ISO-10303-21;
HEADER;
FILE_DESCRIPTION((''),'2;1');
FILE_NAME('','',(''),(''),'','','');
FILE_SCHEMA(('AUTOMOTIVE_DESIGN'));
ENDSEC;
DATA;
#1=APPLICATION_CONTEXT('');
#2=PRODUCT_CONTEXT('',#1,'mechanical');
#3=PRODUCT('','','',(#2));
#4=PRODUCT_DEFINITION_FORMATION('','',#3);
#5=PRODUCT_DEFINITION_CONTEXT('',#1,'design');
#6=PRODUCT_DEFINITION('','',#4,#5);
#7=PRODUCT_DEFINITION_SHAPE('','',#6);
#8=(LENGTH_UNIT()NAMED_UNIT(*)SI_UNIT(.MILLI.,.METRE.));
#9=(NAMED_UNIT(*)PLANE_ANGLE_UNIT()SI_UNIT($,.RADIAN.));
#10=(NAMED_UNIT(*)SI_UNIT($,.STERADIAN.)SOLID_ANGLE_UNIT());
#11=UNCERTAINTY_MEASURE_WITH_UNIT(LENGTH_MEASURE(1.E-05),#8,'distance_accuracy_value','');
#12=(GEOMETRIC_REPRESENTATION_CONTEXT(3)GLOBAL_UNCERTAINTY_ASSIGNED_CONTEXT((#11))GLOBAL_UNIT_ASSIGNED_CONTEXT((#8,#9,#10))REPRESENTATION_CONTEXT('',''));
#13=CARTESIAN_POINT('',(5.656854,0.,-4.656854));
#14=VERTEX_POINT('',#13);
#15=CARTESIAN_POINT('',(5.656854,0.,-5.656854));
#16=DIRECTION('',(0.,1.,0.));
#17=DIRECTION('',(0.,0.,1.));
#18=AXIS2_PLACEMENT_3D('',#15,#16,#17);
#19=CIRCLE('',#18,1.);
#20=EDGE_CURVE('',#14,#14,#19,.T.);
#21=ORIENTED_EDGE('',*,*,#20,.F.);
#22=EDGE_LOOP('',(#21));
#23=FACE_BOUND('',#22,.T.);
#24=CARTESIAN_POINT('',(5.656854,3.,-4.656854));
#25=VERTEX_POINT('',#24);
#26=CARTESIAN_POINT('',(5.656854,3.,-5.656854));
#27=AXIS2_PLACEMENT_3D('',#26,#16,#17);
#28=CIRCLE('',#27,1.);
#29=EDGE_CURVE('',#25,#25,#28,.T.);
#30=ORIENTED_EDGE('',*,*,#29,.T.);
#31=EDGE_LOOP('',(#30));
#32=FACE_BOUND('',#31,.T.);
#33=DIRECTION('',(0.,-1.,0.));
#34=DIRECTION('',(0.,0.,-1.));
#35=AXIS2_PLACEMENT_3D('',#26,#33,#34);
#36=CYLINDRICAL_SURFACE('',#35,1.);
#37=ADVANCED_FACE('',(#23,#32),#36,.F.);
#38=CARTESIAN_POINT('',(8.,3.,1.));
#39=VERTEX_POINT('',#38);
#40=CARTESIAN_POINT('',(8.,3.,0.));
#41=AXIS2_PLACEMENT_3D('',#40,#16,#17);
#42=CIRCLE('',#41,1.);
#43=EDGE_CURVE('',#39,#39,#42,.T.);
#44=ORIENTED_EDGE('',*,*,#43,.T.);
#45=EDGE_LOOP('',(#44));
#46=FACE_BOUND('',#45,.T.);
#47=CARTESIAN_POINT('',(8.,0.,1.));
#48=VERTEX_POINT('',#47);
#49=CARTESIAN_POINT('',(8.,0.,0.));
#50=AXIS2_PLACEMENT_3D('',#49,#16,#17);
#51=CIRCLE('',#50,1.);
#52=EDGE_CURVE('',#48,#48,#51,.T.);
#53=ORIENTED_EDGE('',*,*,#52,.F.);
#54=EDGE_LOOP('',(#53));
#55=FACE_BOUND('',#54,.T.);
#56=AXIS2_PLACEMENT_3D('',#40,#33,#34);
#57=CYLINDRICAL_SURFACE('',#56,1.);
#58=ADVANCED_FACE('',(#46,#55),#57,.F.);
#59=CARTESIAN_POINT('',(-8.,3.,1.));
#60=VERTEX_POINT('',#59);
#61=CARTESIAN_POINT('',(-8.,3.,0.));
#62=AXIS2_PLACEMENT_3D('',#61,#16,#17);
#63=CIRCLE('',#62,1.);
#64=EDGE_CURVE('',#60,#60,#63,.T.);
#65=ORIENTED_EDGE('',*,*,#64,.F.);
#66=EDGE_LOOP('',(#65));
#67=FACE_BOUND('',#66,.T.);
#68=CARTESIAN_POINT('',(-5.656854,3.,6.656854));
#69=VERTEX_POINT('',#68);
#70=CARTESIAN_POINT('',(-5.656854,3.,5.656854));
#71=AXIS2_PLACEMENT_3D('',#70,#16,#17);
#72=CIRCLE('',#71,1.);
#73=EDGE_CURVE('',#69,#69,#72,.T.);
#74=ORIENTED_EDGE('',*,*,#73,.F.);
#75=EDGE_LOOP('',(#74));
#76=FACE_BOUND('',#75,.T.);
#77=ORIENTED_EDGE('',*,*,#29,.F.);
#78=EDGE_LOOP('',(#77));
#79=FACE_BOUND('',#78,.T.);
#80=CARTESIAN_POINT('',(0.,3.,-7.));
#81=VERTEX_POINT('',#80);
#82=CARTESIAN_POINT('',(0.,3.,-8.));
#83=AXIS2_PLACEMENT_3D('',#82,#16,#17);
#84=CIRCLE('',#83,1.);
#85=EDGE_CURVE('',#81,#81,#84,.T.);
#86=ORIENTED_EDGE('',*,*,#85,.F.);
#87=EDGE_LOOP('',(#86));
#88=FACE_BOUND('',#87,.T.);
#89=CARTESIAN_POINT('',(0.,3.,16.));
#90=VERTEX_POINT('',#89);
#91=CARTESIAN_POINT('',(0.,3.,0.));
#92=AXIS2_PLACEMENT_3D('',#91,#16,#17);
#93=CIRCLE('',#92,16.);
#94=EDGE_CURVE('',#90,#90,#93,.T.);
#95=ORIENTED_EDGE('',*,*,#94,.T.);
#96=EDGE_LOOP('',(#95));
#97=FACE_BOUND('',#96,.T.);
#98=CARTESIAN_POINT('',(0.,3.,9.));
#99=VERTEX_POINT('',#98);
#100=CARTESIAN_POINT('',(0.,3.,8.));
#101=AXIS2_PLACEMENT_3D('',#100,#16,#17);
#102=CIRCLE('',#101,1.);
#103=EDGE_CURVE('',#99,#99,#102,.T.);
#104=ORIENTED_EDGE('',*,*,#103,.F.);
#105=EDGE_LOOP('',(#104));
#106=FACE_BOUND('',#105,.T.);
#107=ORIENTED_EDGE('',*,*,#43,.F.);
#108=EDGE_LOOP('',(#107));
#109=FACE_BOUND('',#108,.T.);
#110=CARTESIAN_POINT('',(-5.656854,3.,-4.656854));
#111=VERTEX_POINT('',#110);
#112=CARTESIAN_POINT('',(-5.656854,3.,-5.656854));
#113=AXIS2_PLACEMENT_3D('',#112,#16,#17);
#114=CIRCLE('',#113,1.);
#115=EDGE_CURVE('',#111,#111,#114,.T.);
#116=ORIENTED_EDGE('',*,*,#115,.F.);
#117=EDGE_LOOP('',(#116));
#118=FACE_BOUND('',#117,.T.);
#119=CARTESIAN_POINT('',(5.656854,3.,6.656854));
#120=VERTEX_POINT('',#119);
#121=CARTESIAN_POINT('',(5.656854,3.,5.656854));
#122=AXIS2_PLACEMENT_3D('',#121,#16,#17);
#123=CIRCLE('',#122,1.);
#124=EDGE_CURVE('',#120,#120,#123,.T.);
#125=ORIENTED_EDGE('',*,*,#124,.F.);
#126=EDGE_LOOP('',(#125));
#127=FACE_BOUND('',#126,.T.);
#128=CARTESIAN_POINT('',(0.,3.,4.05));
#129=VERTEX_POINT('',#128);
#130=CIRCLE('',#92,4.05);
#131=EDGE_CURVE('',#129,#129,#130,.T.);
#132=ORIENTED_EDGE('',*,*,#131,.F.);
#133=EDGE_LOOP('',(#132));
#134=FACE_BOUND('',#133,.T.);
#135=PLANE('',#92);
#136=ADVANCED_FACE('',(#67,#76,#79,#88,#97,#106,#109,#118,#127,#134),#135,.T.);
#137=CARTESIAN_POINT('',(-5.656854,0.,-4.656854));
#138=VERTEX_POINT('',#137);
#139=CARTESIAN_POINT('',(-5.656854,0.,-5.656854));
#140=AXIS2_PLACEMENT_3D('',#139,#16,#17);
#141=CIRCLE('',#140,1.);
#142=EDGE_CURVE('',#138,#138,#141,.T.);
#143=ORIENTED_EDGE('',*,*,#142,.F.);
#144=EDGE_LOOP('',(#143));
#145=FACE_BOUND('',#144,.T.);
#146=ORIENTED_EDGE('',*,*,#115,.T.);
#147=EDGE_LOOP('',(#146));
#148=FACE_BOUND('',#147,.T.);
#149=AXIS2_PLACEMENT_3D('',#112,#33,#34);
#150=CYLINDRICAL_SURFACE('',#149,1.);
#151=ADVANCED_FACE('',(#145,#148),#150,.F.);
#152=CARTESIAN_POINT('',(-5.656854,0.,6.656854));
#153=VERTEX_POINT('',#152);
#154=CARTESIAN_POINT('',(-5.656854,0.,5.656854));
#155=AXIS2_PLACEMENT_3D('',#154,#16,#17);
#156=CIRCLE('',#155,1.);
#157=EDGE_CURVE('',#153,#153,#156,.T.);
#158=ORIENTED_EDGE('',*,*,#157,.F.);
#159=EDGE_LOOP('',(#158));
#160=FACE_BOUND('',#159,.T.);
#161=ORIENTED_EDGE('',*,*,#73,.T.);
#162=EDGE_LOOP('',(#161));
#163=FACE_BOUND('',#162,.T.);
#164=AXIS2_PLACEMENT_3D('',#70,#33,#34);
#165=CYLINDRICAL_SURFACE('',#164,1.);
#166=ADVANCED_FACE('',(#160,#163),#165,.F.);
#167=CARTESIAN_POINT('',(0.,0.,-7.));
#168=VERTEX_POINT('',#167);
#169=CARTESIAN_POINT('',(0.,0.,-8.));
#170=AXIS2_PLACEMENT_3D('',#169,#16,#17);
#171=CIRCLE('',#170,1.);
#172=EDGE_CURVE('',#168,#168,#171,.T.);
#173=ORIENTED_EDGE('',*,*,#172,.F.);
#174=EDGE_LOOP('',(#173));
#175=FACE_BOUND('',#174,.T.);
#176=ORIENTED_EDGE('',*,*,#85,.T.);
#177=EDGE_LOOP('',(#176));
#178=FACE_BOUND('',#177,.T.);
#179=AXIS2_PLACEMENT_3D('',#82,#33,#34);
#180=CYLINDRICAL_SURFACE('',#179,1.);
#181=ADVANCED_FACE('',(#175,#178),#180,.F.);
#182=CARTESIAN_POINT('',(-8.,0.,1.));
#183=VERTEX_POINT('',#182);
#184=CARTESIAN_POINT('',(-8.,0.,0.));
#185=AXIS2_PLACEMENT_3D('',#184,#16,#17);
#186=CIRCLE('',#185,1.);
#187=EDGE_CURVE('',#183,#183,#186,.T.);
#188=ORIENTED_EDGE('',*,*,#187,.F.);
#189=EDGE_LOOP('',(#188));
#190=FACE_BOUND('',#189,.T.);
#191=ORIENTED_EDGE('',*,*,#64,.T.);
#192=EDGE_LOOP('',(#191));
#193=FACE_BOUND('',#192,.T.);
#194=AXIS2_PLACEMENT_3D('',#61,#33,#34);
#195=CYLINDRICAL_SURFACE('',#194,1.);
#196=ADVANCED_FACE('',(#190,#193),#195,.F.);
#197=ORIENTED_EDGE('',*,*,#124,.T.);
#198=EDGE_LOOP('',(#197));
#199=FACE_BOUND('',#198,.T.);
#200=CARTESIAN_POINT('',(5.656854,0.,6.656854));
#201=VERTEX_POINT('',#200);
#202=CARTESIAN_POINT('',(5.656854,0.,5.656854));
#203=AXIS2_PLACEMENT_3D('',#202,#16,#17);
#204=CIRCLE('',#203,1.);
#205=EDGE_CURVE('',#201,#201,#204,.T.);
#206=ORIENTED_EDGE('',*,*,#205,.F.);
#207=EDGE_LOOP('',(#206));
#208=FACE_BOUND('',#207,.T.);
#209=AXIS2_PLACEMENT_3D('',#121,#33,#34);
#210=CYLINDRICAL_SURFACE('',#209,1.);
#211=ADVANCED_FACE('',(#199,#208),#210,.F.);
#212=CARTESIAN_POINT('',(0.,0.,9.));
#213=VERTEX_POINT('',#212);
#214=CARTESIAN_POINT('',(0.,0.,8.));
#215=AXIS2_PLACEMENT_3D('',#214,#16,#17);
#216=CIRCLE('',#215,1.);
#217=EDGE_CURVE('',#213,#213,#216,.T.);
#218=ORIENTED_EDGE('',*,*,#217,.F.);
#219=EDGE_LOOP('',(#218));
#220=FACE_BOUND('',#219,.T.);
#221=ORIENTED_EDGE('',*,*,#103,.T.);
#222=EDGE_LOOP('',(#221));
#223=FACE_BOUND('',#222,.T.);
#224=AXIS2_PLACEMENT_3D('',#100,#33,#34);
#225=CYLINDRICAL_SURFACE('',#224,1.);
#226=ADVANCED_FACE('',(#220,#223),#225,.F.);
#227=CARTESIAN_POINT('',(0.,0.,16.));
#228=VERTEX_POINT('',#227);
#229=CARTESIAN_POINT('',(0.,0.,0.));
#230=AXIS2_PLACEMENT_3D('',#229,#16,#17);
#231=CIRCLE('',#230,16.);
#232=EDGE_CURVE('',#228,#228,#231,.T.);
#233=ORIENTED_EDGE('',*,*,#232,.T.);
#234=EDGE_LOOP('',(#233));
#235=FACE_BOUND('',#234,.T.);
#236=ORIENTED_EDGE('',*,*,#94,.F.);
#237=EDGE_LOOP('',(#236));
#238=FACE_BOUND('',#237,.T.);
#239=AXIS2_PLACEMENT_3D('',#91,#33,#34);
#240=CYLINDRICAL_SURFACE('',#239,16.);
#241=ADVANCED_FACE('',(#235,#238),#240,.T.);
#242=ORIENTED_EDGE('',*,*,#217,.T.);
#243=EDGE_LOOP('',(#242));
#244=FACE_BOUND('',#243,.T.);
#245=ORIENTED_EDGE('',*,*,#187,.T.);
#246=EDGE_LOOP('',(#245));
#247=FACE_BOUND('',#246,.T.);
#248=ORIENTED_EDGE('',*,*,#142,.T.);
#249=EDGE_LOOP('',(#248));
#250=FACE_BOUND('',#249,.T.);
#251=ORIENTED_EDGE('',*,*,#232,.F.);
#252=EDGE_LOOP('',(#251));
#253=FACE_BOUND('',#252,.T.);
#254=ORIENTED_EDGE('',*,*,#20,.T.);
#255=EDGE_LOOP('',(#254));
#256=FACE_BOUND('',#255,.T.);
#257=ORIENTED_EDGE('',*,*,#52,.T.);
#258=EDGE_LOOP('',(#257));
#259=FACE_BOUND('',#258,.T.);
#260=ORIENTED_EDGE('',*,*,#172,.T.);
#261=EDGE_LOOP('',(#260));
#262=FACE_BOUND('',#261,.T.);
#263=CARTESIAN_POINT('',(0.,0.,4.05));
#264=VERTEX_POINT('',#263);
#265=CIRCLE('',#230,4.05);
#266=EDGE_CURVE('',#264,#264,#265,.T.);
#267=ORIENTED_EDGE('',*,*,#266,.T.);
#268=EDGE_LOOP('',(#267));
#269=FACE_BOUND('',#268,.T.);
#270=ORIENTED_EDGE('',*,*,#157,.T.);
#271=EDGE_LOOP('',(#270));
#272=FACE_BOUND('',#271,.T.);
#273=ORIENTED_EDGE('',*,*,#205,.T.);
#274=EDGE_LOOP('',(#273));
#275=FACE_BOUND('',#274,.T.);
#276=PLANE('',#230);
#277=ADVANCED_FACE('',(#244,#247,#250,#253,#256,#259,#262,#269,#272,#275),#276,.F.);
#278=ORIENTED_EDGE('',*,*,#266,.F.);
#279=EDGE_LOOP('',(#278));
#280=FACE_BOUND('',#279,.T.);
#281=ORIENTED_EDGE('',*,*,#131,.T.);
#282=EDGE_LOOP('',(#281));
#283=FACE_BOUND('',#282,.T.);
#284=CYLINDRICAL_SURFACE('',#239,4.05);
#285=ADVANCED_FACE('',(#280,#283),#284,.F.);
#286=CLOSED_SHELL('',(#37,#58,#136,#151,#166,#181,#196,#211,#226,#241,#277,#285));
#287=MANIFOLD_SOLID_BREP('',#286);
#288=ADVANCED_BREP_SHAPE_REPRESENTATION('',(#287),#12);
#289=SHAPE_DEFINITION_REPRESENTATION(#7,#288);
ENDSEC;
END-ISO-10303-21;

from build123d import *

# Parameters (mm, degrees)
SKETCH1_R           = 16
SKETCH1_R_2         = 4.05
SKETCH1_R_3         = 1
BOSS_EXTRUDE1_DEPTH = 3


with BuildPart() as part:
    # Sketch1 → Boss-Extrude1 (new body)
    with BuildSketch(Plane(origin=(0, 0, 0), x_dir=(1, 0, 0), z_dir=(0, 1, 0))):
        with Locations(Location((0, 0, 0), (0, 0, 270))):
            Circle(SKETCH1_R)
        with Locations(Location((0, 0, 0), (0, 0, 270))):
            Circle(SKETCH1_R_2, mode=Mode.SUBTRACT)
        with Locations(Location((0, 8, 0), (0, 0, 270))):
            Circle(SKETCH1_R_3, mode=Mode.SUBTRACT)
        with Locations(Location((5.656854249, 5.656854249, 0), (0, 0, 270))):
            Circle(SKETCH1_R_3, mode=Mode.SUBTRACT)
        with Locations(Location((8, 0, 0), (0, 0, 270))):
            Circle(SKETCH1_R_3, mode=Mode.SUBTRACT)
        with Locations(Location((5.656854249, -5.656854249, 0), (0, 0, 270))):
            Circle(SKETCH1_R_3, mode=Mode.SUBTRACT)
        with Locations(Location((0, -8, 0), (0, 0, 270))):
            Circle(SKETCH1_R_3, mode=Mode.SUBTRACT)
        with Locations(Location((-5.656854249, -5.656854249, 0), (0, 0, 270))):
            Circle(SKETCH1_R_3, mode=Mode.SUBTRACT)
        with Locations(Location((-8, 0, 0), (0, 0, 270))):
            Circle(SKETCH1_R_3, mode=Mode.SUBTRACT)
        with Locations(Location((-5.656854249, 5.656854249, 0), (0, 0, 270))):
            Circle(SKETCH1_R_3, mode=Mode.SUBTRACT)
    extrude(amount=BOSS_EXTRUDE1_DEPTH)


solid = part.part
